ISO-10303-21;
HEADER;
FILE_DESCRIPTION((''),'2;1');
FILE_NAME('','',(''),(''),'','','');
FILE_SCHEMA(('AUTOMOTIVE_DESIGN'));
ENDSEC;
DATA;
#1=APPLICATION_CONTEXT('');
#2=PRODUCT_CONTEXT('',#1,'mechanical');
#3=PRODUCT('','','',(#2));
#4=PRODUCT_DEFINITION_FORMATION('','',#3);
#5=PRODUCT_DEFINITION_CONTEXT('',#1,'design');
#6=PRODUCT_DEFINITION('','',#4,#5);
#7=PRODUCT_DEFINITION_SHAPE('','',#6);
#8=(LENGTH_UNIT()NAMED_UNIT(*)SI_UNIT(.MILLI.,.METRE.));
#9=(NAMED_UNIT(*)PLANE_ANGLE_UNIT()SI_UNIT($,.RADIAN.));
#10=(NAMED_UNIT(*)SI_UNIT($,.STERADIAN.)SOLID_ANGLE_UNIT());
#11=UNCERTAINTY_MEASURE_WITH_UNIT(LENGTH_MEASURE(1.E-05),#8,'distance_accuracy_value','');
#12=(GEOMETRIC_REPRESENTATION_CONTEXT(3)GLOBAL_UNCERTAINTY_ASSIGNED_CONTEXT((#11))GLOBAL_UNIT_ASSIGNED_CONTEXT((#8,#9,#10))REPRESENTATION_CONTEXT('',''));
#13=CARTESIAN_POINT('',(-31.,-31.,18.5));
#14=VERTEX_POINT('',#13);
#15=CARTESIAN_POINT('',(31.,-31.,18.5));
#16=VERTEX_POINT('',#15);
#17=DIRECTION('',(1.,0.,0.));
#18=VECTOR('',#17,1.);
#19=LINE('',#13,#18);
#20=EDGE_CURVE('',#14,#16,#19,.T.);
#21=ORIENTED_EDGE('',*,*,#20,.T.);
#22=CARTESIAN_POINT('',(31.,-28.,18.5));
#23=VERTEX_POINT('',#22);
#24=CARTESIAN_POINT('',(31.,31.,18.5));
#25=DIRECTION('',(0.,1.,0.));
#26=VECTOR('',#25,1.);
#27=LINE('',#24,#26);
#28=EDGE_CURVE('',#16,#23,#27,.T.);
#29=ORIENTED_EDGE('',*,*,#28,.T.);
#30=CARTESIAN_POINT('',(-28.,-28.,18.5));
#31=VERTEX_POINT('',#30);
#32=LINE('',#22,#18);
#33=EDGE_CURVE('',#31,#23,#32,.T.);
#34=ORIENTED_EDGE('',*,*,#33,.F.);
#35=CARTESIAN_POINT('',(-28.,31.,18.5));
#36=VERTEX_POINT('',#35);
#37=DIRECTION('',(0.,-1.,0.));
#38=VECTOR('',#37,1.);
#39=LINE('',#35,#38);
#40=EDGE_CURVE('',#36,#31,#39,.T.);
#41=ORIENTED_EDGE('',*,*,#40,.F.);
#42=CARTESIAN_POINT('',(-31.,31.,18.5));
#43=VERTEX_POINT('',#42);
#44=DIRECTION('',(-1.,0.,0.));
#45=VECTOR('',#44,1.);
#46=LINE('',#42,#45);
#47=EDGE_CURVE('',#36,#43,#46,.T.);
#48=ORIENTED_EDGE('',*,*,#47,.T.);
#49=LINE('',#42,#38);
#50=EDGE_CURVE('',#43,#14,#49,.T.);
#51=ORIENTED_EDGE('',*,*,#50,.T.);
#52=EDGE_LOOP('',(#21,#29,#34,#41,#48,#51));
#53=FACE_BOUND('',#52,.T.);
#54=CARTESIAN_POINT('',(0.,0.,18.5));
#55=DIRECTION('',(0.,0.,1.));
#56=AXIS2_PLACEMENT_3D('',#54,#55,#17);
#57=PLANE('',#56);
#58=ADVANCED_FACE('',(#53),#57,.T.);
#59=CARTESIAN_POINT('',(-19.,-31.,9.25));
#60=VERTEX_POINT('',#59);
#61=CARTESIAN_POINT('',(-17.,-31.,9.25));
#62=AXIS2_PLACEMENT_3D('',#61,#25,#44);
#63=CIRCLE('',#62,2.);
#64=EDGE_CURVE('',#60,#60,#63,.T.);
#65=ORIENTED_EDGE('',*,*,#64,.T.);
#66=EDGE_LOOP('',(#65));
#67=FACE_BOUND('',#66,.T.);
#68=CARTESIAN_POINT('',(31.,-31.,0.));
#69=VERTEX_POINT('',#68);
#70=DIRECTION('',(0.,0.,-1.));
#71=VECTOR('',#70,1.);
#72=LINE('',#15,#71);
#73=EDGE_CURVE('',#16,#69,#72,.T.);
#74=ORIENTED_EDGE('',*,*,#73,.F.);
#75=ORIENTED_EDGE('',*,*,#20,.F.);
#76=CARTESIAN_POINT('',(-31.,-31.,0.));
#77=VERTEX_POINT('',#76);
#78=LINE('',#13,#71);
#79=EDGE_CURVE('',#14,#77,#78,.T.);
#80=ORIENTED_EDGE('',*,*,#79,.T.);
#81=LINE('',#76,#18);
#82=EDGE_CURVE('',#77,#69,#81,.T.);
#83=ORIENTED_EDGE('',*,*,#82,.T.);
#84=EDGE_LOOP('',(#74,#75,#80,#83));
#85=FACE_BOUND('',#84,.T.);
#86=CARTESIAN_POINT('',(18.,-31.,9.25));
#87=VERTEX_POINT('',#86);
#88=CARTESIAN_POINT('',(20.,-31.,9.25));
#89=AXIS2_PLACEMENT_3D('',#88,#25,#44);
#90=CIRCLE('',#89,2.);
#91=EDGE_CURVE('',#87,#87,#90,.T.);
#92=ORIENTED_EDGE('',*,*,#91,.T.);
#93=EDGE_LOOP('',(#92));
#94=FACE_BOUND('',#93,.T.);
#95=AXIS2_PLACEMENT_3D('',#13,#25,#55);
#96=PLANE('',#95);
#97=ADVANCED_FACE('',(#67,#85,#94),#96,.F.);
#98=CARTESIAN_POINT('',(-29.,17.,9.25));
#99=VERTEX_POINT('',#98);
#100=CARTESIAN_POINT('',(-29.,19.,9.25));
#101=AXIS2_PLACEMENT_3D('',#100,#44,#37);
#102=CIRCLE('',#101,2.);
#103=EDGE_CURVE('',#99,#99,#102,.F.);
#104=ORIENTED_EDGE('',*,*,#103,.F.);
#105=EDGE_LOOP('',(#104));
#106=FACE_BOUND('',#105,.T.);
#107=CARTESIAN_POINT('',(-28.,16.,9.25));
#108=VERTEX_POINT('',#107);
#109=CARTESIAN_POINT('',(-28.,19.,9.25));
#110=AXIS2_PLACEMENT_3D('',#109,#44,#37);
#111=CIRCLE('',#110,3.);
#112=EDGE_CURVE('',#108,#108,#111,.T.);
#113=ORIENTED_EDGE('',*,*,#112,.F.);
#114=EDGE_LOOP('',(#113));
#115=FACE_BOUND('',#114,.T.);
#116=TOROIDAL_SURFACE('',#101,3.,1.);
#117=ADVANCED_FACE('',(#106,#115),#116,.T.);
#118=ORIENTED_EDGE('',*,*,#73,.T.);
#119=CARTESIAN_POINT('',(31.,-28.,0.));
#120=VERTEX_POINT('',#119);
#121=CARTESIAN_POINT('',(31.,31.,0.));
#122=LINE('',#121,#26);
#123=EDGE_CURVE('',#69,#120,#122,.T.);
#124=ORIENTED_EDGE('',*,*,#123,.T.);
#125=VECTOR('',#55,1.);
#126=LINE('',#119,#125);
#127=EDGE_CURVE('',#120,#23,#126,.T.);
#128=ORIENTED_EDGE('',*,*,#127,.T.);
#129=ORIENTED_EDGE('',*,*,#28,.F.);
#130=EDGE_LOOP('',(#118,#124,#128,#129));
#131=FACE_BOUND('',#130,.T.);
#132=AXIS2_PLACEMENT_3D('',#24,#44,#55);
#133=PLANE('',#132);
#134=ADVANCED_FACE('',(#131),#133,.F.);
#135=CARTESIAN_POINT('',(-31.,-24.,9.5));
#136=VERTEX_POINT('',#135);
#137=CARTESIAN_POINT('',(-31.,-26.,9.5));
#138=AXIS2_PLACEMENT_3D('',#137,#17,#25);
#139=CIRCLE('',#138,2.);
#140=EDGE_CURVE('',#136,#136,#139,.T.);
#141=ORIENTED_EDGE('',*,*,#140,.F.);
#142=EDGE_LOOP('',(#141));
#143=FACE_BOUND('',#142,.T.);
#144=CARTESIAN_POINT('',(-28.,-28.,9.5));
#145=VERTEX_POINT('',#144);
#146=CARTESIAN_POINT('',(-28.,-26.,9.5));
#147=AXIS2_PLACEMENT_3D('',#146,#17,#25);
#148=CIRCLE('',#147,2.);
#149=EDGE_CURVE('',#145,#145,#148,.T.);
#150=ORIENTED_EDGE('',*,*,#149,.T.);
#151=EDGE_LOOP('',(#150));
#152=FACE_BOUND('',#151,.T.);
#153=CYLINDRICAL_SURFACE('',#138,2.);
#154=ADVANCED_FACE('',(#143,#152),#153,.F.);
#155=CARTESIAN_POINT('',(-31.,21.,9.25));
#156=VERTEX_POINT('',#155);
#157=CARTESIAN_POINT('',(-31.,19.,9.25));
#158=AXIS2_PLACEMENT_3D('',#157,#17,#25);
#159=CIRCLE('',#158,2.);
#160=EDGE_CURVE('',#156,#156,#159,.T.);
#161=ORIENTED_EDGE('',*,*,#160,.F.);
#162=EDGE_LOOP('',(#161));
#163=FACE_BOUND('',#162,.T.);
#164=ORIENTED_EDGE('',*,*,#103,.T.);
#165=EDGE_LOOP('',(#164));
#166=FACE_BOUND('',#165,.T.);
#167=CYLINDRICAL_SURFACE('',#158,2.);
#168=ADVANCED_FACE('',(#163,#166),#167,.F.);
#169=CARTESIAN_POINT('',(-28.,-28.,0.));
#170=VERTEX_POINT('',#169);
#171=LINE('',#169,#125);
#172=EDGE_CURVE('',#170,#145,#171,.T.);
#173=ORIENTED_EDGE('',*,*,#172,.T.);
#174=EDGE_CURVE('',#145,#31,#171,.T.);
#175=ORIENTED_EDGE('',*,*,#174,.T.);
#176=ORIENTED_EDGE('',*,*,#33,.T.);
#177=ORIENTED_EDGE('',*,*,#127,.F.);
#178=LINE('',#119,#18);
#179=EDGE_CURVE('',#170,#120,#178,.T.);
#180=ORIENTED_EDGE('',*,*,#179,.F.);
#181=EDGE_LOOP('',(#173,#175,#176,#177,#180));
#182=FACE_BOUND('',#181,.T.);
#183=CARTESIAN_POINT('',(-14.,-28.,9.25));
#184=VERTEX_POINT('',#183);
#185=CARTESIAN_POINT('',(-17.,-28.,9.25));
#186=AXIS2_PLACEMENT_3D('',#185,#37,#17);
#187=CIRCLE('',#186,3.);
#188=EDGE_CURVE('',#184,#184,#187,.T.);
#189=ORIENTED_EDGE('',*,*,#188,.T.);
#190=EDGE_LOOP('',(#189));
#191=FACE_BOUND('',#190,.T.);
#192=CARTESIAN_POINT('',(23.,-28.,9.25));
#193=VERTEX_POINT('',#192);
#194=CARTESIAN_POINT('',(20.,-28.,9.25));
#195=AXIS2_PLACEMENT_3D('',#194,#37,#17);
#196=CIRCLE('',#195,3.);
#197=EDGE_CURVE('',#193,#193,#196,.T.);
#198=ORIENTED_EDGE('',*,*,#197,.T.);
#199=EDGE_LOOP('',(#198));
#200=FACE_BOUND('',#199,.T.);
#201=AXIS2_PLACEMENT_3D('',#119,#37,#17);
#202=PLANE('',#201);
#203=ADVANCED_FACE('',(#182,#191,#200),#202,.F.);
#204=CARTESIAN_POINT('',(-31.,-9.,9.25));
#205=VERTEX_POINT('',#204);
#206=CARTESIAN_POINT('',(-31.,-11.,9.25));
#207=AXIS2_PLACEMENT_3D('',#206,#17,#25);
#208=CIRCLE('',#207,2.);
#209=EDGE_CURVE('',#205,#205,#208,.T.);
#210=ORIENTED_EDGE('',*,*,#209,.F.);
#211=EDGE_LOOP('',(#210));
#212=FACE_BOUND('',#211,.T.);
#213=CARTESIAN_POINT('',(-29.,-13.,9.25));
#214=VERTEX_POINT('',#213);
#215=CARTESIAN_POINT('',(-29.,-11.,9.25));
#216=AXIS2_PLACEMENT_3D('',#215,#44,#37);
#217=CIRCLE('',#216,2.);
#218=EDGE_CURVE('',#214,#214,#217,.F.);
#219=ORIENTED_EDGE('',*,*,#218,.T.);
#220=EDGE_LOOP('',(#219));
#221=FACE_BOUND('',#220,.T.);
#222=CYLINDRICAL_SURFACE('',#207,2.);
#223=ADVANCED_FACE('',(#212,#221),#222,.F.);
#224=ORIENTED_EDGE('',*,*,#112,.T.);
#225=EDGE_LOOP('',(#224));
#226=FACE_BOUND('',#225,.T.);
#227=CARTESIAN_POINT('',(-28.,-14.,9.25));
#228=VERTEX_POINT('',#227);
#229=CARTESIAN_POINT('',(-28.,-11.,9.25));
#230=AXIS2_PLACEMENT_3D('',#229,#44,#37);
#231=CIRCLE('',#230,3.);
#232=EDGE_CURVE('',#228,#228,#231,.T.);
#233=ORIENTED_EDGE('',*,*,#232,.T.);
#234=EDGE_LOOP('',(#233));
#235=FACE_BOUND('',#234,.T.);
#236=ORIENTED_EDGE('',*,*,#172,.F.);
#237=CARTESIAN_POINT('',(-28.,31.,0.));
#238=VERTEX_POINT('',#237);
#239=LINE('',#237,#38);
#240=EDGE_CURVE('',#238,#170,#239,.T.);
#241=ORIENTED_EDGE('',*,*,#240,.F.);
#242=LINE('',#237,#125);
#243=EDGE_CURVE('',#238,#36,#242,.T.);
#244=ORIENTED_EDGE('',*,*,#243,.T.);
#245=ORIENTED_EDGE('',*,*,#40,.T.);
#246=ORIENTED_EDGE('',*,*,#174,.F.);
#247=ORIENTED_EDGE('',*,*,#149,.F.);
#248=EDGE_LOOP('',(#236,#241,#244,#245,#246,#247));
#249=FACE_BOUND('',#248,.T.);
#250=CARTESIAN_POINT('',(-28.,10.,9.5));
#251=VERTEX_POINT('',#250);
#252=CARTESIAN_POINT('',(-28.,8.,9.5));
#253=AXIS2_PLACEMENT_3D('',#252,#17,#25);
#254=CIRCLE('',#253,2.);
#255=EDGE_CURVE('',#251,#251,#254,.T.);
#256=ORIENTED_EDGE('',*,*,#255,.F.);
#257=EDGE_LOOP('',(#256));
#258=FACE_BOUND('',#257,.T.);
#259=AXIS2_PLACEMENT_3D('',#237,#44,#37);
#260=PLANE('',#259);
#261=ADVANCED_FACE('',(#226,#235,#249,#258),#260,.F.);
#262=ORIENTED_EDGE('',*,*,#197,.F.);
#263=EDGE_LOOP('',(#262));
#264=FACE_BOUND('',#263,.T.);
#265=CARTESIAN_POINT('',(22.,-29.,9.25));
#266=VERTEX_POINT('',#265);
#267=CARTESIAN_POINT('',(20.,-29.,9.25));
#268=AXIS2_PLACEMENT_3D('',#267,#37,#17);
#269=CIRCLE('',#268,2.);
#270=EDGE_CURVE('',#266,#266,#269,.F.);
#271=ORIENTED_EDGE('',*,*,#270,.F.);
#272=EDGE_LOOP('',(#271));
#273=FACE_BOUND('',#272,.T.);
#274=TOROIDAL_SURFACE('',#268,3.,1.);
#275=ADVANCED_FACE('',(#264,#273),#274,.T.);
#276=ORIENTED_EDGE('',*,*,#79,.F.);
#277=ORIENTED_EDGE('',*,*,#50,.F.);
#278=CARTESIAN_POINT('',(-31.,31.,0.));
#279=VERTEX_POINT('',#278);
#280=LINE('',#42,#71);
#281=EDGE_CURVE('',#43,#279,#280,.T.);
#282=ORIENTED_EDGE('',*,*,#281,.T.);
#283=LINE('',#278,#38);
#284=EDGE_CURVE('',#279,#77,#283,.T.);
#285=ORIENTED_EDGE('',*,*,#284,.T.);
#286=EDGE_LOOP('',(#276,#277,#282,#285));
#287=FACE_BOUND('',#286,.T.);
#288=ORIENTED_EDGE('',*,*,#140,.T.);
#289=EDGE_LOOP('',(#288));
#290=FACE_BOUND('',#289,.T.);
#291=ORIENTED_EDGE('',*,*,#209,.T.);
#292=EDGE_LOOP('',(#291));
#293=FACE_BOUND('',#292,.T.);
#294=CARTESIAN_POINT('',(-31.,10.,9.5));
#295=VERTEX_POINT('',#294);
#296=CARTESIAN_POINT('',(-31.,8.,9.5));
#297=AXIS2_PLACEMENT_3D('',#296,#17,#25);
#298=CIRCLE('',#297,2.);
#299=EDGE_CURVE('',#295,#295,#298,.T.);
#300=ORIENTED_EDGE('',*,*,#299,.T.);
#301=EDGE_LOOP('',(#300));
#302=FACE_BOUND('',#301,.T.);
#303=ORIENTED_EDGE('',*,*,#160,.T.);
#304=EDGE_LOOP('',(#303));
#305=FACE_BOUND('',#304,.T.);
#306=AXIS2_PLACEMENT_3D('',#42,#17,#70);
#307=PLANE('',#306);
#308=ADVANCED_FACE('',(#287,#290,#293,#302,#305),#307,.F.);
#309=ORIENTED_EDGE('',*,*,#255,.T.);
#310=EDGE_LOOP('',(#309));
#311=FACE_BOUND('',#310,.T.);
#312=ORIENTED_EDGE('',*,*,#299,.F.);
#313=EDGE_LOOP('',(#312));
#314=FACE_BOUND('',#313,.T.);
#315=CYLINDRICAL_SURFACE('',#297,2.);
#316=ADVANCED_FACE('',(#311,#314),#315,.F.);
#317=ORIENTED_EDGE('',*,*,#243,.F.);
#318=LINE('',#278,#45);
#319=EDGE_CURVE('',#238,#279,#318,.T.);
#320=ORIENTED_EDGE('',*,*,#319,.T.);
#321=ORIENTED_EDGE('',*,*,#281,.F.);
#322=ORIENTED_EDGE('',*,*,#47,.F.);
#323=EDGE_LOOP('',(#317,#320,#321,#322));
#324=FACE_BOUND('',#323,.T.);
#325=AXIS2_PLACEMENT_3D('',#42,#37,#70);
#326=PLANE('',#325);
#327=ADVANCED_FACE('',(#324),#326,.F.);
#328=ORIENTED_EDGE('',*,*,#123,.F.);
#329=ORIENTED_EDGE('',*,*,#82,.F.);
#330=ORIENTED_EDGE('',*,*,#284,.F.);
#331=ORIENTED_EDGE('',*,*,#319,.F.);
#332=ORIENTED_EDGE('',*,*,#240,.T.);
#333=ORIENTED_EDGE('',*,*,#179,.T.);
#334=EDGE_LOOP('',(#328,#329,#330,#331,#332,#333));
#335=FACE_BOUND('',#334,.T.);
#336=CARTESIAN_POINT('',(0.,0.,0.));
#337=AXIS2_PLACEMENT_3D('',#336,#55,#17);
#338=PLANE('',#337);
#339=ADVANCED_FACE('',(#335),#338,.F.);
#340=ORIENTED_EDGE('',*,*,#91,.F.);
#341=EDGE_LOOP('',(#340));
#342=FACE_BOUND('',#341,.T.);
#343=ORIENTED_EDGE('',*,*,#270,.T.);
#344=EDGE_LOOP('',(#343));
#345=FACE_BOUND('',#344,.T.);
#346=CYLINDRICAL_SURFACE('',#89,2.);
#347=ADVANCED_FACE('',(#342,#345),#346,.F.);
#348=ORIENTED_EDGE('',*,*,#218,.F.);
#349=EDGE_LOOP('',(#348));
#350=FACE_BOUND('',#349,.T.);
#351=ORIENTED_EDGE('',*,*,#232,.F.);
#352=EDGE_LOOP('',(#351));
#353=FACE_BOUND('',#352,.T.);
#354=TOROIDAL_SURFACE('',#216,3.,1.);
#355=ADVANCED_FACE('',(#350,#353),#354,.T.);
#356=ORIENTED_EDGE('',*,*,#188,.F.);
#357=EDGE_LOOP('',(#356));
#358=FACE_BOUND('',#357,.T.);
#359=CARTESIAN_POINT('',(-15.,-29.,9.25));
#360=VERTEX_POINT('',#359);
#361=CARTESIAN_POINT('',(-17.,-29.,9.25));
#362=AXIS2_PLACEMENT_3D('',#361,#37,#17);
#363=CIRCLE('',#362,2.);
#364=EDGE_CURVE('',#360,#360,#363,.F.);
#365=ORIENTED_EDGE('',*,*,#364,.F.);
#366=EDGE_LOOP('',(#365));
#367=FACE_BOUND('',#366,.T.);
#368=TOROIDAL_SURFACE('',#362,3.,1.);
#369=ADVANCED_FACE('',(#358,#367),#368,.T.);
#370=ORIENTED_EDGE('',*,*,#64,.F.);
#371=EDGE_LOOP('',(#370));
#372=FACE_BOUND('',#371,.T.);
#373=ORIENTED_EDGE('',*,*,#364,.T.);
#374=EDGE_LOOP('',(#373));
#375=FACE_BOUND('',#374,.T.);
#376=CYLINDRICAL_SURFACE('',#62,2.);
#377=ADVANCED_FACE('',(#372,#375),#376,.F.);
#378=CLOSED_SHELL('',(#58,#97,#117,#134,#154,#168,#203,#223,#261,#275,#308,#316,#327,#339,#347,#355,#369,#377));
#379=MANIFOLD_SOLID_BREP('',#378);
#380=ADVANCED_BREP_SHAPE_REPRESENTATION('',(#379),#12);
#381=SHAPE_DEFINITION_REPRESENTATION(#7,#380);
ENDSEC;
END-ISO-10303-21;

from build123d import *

# Parameters (mm, degrees)
SKETCH1_W           = 62
SKETCH1_H           = 62
BOSS_EXTRUDE1_DEPTH = 18.5
SKETCH2_W           = 59
SKETCH2_H           = 59
CUT_EXTRUDE1_DEPTH  = 18.5
SKETCH3_R           = 2
CUT_EXTRUDE2_DEPTH  = 3
SKETCH4_R           = 2
CUT_EXTRUDE3_DEPTH  = 3
FILLET1_R           = 1
FILLET2_R           = 1
SKETCH5_R           = 2
CUT_EXTRUDE4_DEPTH  = 3
SKETCH6_R           = 2
CUT_EXTRUDE5_DEPTH  = 3
FILLET3_R           = 1
FILLET4_R           = 1
SKETCH7_R           = 2
CUT_EXTRUDE6_DEPTH  = 3
SKETCH8_R           = 2
CUT_EXTRUDE7_DEPTH  = 3


with BuildPart() as part:
    # Sketch1 → Boss-Extrude1 (new body)
    with BuildSketch(Plane.XY):
        Rectangle(SKETCH1_W, SKETCH1_H)
    extrude(amount=BOSS_EXTRUDE1_DEPTH)

    # Sketch2 → Cut-Extrude1 (cut)
    with BuildSketch(Plane.XY.offset(18.5)):
        with Locations((1.5, 1.5)):
            Rectangle(SKETCH2_W, SKETCH2_H)
    extrude(amount=-CUT_EXTRUDE1_DEPTH, mode=Mode.SUBTRACT)

    # Sketch3 → Cut-Extrude2 (cut)
    with BuildSketch(Plane(origin=(0, -28, 0), x_dir=(1, 0, 0), z_dir=(0, 1, 0))):
        with Locations((-17, -9.25)):
            Circle(SKETCH3_R)
    extrude(amount=-CUT_EXTRUDE2_DEPTH, mode=Mode.SUBTRACT)

    # Sketch4 → Cut-Extrude3 (cut)
    with BuildSketch(Plane(origin=(0, -28, 0), x_dir=(1, 0, 0), z_dir=(0, 1, 0))):
        with Locations((20, -9.25)):
            Circle(SKETCH4_R)
    extrude(amount=-CUT_EXTRUDE3_DEPTH, mode=Mode.SUBTRACT)

    # Fillet1
    fillet1_edges = [part.edges().sort_by_distance(p)[0] for p in [
        (18, -28, 9.25),
    ]]
    fillet(fillet1_edges, radius=FILLET1_R)

    # Fillet2
    fillet2_edges = [part.edges().sort_by_distance(p)[0] for p in [
        (-19, -28, 9.25),
    ]]
    fillet(fillet2_edges, radius=FILLET2_R)

    # Sketch5 → Cut-Extrude4 (cut)
    with BuildSketch(Plane(origin=(-28, 0, 0), x_dir=(0, 0, -1), z_dir=(1, 0, 0))):
        with Locations((-9.25, -11)):
            Circle(SKETCH5_R)
    extrude(amount=-CUT_EXTRUDE4_DEPTH, mode=Mode.SUBTRACT)

    # Sketch6 → Cut-Extrude5 (cut)
    with BuildSketch(Plane(origin=(-28, 0, 0), x_dir=(0, 0, -1), z_dir=(1, 0, 0))):
        with Locations((-9.25, 19)):
            Circle(SKETCH6_R)
    extrude(amount=-CUT_EXTRUDE5_DEPTH, mode=Mode.SUBTRACT)

    # Fillet3
    fillet3_edges = [part.edges().sort_by_distance(p)[0] for p in [
        (-28, 19, 11.25),
    ]]
    fillet(fillet3_edges, radius=FILLET3_R)

    # Fillet4
    fillet4_edges = [part.edges().sort_by_distance(p)[0] for p in [
        (-28, -11, 11.25),
    ]]
    fillet(fillet4_edges, radius=FILLET4_R)

    # Sketch7 → Cut-Extrude6 (cut)
    with BuildSketch(Plane(origin=(-28, 0, 0), x_dir=(0, 0, -1), z_dir=(1, 0, 0))):
        with Locations((-9.5, -26)):
            Circle(SKETCH7_R)
    extrude(amount=-CUT_EXTRUDE6_DEPTH, mode=Mode.SUBTRACT)

    # Sketch8 → Cut-Extrude7 (cut)
    with BuildSketch(Plane(origin=(-28, 0, 0), x_dir=(0, 0, -1), z_dir=(1, 0, 0))):
        with Locations((-9.5, 8)):
            Circle(SKETCH8_R)
    extrude(amount=-CUT_EXTRUDE7_DEPTH, mode=Mode.SUBTRACT)


solid = part.part
